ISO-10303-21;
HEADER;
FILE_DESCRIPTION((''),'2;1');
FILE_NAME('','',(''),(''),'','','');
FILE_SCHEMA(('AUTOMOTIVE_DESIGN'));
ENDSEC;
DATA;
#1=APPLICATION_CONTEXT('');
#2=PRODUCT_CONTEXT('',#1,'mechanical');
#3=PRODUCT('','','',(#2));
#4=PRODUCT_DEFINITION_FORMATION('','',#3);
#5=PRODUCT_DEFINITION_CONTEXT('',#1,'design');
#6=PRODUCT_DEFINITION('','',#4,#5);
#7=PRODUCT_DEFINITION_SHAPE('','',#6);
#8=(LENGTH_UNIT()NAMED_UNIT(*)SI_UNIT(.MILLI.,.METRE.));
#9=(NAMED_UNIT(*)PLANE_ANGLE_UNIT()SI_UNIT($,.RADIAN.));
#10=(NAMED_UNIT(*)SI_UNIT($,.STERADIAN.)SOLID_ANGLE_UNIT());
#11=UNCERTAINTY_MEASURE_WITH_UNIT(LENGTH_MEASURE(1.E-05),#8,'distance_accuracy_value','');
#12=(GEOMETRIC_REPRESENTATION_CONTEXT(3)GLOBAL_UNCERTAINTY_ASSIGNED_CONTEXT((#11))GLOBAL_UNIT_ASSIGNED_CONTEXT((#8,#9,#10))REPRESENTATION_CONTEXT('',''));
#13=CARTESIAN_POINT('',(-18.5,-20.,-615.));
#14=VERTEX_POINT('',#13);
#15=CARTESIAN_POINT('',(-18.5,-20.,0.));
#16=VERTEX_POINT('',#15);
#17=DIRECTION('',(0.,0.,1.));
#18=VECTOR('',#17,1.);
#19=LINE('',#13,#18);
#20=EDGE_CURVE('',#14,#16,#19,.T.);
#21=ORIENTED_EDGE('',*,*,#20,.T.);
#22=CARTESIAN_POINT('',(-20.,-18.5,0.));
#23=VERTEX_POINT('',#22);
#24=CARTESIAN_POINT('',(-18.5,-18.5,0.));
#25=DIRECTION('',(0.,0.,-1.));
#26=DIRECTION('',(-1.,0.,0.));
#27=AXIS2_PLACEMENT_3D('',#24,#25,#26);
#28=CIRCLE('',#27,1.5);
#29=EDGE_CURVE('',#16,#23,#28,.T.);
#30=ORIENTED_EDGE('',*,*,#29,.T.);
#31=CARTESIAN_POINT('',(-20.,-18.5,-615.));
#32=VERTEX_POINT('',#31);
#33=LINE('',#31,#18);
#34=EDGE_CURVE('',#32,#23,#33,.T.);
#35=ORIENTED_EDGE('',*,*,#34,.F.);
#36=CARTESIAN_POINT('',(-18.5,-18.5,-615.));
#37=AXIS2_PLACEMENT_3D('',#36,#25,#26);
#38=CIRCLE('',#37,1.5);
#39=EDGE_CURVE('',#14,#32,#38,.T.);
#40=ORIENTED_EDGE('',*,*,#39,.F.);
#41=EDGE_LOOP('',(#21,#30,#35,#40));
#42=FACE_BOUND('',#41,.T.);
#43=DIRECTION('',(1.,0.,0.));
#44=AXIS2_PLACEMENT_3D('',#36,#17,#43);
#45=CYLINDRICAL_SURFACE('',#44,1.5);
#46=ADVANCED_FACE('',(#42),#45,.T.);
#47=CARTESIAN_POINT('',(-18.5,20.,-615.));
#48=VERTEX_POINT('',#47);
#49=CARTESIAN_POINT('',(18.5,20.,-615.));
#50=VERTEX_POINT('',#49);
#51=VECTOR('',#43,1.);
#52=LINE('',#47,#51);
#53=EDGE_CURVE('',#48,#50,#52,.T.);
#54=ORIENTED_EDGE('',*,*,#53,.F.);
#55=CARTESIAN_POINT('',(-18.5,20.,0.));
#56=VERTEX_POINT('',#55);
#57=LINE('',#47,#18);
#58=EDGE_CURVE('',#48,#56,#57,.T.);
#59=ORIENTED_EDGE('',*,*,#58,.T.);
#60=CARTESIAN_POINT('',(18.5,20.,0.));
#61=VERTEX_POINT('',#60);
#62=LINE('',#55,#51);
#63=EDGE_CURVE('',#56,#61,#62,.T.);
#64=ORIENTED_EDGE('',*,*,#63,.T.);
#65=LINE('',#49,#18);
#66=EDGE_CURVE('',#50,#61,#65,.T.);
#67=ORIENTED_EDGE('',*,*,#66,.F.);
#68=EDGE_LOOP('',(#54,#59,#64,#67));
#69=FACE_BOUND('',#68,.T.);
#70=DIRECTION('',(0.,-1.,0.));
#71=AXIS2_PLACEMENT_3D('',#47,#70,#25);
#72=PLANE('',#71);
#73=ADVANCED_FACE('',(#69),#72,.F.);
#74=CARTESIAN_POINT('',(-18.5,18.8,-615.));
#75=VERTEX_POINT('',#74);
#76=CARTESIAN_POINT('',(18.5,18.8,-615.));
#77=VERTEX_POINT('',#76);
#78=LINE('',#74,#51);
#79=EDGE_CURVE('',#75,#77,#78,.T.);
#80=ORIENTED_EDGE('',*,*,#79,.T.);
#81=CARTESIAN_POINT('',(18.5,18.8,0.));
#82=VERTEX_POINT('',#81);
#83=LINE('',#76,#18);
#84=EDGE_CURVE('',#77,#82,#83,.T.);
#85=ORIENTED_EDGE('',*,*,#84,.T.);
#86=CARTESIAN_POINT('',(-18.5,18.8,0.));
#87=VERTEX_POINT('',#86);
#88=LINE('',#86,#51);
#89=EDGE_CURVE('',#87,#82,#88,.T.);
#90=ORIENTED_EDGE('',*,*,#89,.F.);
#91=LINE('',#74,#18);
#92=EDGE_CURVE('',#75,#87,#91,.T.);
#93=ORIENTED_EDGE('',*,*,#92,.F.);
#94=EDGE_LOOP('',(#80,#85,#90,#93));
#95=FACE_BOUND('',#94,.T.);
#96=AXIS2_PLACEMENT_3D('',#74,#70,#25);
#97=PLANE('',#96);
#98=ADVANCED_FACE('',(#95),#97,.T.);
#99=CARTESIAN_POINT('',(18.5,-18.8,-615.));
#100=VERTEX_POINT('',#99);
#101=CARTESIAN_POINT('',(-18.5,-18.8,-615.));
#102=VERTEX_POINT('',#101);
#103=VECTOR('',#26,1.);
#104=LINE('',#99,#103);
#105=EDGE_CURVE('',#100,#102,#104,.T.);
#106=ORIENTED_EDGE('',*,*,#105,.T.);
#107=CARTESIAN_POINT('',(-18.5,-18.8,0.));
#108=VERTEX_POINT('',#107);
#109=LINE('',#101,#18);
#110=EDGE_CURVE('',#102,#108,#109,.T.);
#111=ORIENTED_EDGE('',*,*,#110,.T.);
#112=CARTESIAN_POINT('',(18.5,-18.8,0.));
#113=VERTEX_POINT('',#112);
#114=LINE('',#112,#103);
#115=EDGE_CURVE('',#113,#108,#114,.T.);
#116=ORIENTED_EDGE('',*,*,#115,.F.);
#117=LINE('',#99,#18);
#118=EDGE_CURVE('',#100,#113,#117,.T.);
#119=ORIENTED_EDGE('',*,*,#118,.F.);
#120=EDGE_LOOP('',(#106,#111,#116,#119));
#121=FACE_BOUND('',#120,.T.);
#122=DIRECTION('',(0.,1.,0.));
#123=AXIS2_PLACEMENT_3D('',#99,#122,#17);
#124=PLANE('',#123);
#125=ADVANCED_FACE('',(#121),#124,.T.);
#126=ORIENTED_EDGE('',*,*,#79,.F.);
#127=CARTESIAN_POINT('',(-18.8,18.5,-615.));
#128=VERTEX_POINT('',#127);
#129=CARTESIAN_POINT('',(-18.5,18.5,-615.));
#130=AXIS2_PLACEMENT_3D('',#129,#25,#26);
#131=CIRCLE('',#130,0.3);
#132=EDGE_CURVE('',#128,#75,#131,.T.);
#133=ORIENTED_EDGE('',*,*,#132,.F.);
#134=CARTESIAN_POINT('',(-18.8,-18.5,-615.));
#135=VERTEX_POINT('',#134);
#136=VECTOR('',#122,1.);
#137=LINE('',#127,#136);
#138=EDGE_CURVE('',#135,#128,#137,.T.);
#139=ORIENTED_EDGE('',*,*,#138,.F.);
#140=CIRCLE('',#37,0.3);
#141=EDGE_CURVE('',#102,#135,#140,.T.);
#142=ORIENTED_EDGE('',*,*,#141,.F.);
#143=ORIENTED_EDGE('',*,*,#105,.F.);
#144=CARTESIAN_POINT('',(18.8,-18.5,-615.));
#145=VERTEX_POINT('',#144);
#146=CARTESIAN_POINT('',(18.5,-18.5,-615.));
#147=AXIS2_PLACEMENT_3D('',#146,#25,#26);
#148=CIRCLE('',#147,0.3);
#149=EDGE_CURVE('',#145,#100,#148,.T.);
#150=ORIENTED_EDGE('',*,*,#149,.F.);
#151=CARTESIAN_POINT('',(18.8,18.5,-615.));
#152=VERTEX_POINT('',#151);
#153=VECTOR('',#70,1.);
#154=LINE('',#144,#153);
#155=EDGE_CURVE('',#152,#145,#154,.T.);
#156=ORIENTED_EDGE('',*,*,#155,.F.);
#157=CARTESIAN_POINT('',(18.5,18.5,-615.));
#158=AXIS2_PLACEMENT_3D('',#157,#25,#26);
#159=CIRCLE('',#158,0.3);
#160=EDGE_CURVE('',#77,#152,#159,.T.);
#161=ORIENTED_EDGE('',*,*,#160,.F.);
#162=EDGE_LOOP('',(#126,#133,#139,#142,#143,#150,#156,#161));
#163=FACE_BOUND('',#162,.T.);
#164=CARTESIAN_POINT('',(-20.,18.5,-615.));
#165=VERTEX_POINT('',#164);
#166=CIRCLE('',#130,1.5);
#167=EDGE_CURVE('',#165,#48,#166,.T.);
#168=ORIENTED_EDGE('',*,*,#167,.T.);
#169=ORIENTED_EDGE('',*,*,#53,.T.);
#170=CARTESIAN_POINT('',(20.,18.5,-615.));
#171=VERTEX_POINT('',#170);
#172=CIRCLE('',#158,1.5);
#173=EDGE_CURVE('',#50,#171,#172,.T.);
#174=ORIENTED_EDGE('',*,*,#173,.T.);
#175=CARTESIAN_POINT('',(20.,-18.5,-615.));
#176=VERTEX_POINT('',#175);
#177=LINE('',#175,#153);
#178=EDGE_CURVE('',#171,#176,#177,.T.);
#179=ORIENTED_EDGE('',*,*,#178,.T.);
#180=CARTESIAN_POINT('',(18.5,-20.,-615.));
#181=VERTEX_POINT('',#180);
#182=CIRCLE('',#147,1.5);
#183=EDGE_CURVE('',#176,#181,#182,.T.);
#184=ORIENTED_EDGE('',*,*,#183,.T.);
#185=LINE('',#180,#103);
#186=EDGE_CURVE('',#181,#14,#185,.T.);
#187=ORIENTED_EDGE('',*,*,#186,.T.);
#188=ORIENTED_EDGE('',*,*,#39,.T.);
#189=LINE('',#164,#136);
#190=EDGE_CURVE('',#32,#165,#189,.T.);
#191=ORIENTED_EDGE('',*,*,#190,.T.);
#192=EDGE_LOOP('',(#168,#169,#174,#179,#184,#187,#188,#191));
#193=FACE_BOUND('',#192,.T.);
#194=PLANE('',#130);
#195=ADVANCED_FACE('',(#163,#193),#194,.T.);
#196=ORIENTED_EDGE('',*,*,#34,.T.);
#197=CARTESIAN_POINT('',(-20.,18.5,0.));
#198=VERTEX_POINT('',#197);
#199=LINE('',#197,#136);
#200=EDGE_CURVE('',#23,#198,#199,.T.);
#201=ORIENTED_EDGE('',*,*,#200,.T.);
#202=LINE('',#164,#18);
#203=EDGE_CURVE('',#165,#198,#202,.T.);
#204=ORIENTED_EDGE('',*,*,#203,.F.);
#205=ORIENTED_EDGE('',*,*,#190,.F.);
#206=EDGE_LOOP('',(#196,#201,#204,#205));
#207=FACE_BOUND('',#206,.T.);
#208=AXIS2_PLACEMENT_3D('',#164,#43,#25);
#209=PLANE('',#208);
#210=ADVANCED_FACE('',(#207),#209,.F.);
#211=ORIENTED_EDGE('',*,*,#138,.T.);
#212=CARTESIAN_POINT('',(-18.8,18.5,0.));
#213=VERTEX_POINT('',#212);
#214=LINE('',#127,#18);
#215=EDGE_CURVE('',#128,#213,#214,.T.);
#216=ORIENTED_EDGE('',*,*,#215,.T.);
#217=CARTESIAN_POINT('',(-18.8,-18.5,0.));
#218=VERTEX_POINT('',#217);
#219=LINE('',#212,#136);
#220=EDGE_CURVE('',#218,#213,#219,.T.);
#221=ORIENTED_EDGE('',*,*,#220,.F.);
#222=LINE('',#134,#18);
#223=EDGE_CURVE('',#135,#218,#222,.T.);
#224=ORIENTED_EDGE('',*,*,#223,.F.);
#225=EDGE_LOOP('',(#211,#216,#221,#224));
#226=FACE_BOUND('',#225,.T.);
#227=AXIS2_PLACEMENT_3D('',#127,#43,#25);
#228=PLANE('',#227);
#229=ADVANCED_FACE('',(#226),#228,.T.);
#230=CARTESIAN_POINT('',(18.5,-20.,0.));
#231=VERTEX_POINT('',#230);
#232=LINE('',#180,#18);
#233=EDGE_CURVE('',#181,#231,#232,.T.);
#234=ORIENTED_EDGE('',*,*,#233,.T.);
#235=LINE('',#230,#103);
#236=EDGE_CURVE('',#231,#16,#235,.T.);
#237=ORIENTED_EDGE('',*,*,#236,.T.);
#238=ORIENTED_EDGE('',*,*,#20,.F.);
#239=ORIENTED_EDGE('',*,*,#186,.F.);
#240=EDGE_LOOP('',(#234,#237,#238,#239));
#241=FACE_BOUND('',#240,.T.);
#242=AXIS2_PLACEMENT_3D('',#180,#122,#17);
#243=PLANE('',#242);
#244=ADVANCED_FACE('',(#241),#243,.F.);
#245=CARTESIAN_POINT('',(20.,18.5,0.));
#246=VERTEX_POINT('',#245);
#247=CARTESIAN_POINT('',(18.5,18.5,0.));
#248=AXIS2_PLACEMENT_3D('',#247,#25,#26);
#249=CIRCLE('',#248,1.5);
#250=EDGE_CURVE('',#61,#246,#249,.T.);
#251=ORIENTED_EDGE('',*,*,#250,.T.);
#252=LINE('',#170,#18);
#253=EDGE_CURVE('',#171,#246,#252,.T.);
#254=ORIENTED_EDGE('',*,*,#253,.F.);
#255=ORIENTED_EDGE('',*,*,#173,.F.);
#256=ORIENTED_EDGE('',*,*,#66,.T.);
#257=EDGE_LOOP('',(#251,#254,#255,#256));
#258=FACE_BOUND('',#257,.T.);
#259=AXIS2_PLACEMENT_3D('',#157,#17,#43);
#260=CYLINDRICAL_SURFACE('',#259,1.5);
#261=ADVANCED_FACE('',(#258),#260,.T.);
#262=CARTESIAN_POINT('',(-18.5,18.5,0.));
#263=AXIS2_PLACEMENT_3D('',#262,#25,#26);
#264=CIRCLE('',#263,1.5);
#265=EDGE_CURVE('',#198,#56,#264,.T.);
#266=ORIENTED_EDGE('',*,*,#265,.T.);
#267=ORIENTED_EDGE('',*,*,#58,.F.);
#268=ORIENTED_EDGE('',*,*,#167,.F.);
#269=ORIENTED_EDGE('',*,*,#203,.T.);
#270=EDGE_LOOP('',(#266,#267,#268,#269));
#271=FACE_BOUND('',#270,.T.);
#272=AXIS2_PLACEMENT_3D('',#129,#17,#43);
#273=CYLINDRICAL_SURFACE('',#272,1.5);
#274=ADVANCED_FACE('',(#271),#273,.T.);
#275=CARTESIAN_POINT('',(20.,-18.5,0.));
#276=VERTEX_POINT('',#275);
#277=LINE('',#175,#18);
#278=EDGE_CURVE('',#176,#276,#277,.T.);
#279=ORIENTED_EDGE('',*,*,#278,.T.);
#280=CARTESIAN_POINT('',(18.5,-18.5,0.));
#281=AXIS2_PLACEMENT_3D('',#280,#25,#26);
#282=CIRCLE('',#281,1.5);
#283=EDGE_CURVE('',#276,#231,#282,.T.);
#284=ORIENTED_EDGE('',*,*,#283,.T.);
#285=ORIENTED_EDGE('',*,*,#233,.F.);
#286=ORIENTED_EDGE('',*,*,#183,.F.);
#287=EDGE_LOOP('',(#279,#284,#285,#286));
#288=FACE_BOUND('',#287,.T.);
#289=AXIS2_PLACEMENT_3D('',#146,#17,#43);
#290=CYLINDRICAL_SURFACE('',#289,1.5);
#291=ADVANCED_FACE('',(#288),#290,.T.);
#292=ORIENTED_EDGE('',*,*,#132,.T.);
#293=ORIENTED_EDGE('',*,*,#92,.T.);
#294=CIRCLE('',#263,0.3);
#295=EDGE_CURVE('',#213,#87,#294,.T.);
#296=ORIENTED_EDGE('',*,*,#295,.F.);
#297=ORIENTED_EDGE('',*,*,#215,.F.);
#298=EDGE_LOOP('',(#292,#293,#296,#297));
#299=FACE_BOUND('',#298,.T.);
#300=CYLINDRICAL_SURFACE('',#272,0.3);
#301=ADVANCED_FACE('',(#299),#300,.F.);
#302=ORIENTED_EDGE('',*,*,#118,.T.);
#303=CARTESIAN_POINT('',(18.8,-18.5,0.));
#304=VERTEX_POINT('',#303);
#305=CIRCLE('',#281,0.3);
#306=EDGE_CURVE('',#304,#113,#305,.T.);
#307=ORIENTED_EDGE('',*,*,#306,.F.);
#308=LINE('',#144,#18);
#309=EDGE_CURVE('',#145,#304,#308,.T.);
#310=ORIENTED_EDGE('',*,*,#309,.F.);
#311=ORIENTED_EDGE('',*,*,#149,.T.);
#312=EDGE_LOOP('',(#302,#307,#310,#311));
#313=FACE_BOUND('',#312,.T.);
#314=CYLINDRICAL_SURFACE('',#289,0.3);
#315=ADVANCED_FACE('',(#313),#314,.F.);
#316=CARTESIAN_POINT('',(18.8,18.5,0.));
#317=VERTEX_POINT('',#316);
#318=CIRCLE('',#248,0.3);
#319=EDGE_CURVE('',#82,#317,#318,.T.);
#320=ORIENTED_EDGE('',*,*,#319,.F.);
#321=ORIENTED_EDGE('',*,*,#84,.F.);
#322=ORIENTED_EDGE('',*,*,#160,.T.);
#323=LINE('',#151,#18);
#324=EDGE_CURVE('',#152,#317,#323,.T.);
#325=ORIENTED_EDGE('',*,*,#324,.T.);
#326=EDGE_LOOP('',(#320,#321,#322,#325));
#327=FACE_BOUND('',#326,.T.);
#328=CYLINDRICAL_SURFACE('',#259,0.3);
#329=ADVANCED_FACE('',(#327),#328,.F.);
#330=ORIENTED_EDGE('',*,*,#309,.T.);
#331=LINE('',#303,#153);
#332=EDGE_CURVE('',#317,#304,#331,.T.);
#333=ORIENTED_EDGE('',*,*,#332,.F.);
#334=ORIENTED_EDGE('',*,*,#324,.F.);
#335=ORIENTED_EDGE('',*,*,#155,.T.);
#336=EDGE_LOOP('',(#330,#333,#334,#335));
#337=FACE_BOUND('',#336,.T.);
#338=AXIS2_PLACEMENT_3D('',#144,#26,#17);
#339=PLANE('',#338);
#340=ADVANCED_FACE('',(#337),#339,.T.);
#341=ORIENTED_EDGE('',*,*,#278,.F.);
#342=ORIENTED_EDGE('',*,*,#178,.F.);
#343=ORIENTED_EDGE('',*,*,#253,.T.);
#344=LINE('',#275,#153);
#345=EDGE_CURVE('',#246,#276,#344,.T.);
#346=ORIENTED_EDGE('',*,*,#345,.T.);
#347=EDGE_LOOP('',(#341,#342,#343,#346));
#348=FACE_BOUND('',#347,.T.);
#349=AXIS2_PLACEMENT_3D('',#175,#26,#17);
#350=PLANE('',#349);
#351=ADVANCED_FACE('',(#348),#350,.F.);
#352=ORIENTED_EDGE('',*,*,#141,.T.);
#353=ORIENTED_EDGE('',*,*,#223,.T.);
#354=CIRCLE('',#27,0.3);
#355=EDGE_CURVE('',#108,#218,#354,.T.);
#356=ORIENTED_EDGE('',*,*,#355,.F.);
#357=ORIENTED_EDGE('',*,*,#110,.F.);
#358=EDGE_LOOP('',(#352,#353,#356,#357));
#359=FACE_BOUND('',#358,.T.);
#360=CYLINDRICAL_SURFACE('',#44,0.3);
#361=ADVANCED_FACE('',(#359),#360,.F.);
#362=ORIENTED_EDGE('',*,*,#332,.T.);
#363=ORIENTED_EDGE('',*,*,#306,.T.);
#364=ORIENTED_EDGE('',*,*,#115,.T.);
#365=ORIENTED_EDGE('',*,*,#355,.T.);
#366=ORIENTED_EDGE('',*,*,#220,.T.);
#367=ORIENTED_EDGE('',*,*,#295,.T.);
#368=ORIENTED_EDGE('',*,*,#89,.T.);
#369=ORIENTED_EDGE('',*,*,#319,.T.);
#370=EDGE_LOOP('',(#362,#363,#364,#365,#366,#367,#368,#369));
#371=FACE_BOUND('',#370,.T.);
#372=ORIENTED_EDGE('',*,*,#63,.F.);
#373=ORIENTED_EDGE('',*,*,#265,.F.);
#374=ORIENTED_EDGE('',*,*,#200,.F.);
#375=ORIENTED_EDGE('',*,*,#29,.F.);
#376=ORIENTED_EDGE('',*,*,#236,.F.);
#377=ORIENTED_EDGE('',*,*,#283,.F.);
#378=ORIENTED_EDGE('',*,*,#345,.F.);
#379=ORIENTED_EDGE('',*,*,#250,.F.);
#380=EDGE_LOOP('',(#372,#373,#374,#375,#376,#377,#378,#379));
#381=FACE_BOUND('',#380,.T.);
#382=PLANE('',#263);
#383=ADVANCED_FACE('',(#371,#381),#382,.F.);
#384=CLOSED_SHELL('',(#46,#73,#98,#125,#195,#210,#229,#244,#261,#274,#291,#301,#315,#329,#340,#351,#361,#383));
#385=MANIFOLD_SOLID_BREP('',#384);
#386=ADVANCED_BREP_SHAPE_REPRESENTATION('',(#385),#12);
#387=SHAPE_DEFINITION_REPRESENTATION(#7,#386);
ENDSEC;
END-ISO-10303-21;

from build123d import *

# Parameters (mm, degrees)
STRUCTURAL_MEMBER1_DEPTH = 615


with BuildPart() as part:
    # Sketch12 → Structural Member1 (new body)
    with BuildSketch(Plane(origin=(0, 0, 0), x_dir=(-1, 0, 0), z_dir=(0, 0, -1))):
        with BuildLine():
            Line((-18.5, -20), (18.5, -20))
            ThreePointArc((18.5, -20), (19.560660172, -19.560660172), (20, -18.5))
            Line((20, -18.5), (20, 18.5))
            ThreePointArc((20, 18.5), (19.560660172, 19.560660172), (18.5, 20))
            Line((18.5, 20), (-18.5, 20))
            ThreePointArc((-18.5, 20), (-19.560660172, 19.560660172), (-20, 18.5))
            Line((-20, 18.5), (-20, -18.5))
            ThreePointArc((-20, -18.5), (-19.560660172, -19.560660172), (-18.5, -20))
        make_face()
        with BuildLine():
            Line((-18.5, -18.8), (18.5, -18.8))
            ThreePointArc((18.5, -18.8), (18.712132034, -18.712132034), (18.8, -18.5))
            Line((18.8, -18.5), (18.8, 18.5))
            ThreePointArc((18.8, 18.5), (18.712132034, 18.712132034), (18.5, 18.8))
            Line((18.5, 18.8), (-18.5, 18.8))
            ThreePointArc((-18.5, 18.8), (-18.712132034, 18.712132034), (-18.8, 18.5))
            Line((-18.8, 18.5), (-18.8, -18.5))
            ThreePointArc((-18.8, -18.5), (-18.712132034, -18.712132034), (-18.5, -18.8))
        make_face(mode=Mode.SUBTRACT)
    extrude(amount=STRUCTURAL_MEMBER1_DEPTH)


solid = part.part
